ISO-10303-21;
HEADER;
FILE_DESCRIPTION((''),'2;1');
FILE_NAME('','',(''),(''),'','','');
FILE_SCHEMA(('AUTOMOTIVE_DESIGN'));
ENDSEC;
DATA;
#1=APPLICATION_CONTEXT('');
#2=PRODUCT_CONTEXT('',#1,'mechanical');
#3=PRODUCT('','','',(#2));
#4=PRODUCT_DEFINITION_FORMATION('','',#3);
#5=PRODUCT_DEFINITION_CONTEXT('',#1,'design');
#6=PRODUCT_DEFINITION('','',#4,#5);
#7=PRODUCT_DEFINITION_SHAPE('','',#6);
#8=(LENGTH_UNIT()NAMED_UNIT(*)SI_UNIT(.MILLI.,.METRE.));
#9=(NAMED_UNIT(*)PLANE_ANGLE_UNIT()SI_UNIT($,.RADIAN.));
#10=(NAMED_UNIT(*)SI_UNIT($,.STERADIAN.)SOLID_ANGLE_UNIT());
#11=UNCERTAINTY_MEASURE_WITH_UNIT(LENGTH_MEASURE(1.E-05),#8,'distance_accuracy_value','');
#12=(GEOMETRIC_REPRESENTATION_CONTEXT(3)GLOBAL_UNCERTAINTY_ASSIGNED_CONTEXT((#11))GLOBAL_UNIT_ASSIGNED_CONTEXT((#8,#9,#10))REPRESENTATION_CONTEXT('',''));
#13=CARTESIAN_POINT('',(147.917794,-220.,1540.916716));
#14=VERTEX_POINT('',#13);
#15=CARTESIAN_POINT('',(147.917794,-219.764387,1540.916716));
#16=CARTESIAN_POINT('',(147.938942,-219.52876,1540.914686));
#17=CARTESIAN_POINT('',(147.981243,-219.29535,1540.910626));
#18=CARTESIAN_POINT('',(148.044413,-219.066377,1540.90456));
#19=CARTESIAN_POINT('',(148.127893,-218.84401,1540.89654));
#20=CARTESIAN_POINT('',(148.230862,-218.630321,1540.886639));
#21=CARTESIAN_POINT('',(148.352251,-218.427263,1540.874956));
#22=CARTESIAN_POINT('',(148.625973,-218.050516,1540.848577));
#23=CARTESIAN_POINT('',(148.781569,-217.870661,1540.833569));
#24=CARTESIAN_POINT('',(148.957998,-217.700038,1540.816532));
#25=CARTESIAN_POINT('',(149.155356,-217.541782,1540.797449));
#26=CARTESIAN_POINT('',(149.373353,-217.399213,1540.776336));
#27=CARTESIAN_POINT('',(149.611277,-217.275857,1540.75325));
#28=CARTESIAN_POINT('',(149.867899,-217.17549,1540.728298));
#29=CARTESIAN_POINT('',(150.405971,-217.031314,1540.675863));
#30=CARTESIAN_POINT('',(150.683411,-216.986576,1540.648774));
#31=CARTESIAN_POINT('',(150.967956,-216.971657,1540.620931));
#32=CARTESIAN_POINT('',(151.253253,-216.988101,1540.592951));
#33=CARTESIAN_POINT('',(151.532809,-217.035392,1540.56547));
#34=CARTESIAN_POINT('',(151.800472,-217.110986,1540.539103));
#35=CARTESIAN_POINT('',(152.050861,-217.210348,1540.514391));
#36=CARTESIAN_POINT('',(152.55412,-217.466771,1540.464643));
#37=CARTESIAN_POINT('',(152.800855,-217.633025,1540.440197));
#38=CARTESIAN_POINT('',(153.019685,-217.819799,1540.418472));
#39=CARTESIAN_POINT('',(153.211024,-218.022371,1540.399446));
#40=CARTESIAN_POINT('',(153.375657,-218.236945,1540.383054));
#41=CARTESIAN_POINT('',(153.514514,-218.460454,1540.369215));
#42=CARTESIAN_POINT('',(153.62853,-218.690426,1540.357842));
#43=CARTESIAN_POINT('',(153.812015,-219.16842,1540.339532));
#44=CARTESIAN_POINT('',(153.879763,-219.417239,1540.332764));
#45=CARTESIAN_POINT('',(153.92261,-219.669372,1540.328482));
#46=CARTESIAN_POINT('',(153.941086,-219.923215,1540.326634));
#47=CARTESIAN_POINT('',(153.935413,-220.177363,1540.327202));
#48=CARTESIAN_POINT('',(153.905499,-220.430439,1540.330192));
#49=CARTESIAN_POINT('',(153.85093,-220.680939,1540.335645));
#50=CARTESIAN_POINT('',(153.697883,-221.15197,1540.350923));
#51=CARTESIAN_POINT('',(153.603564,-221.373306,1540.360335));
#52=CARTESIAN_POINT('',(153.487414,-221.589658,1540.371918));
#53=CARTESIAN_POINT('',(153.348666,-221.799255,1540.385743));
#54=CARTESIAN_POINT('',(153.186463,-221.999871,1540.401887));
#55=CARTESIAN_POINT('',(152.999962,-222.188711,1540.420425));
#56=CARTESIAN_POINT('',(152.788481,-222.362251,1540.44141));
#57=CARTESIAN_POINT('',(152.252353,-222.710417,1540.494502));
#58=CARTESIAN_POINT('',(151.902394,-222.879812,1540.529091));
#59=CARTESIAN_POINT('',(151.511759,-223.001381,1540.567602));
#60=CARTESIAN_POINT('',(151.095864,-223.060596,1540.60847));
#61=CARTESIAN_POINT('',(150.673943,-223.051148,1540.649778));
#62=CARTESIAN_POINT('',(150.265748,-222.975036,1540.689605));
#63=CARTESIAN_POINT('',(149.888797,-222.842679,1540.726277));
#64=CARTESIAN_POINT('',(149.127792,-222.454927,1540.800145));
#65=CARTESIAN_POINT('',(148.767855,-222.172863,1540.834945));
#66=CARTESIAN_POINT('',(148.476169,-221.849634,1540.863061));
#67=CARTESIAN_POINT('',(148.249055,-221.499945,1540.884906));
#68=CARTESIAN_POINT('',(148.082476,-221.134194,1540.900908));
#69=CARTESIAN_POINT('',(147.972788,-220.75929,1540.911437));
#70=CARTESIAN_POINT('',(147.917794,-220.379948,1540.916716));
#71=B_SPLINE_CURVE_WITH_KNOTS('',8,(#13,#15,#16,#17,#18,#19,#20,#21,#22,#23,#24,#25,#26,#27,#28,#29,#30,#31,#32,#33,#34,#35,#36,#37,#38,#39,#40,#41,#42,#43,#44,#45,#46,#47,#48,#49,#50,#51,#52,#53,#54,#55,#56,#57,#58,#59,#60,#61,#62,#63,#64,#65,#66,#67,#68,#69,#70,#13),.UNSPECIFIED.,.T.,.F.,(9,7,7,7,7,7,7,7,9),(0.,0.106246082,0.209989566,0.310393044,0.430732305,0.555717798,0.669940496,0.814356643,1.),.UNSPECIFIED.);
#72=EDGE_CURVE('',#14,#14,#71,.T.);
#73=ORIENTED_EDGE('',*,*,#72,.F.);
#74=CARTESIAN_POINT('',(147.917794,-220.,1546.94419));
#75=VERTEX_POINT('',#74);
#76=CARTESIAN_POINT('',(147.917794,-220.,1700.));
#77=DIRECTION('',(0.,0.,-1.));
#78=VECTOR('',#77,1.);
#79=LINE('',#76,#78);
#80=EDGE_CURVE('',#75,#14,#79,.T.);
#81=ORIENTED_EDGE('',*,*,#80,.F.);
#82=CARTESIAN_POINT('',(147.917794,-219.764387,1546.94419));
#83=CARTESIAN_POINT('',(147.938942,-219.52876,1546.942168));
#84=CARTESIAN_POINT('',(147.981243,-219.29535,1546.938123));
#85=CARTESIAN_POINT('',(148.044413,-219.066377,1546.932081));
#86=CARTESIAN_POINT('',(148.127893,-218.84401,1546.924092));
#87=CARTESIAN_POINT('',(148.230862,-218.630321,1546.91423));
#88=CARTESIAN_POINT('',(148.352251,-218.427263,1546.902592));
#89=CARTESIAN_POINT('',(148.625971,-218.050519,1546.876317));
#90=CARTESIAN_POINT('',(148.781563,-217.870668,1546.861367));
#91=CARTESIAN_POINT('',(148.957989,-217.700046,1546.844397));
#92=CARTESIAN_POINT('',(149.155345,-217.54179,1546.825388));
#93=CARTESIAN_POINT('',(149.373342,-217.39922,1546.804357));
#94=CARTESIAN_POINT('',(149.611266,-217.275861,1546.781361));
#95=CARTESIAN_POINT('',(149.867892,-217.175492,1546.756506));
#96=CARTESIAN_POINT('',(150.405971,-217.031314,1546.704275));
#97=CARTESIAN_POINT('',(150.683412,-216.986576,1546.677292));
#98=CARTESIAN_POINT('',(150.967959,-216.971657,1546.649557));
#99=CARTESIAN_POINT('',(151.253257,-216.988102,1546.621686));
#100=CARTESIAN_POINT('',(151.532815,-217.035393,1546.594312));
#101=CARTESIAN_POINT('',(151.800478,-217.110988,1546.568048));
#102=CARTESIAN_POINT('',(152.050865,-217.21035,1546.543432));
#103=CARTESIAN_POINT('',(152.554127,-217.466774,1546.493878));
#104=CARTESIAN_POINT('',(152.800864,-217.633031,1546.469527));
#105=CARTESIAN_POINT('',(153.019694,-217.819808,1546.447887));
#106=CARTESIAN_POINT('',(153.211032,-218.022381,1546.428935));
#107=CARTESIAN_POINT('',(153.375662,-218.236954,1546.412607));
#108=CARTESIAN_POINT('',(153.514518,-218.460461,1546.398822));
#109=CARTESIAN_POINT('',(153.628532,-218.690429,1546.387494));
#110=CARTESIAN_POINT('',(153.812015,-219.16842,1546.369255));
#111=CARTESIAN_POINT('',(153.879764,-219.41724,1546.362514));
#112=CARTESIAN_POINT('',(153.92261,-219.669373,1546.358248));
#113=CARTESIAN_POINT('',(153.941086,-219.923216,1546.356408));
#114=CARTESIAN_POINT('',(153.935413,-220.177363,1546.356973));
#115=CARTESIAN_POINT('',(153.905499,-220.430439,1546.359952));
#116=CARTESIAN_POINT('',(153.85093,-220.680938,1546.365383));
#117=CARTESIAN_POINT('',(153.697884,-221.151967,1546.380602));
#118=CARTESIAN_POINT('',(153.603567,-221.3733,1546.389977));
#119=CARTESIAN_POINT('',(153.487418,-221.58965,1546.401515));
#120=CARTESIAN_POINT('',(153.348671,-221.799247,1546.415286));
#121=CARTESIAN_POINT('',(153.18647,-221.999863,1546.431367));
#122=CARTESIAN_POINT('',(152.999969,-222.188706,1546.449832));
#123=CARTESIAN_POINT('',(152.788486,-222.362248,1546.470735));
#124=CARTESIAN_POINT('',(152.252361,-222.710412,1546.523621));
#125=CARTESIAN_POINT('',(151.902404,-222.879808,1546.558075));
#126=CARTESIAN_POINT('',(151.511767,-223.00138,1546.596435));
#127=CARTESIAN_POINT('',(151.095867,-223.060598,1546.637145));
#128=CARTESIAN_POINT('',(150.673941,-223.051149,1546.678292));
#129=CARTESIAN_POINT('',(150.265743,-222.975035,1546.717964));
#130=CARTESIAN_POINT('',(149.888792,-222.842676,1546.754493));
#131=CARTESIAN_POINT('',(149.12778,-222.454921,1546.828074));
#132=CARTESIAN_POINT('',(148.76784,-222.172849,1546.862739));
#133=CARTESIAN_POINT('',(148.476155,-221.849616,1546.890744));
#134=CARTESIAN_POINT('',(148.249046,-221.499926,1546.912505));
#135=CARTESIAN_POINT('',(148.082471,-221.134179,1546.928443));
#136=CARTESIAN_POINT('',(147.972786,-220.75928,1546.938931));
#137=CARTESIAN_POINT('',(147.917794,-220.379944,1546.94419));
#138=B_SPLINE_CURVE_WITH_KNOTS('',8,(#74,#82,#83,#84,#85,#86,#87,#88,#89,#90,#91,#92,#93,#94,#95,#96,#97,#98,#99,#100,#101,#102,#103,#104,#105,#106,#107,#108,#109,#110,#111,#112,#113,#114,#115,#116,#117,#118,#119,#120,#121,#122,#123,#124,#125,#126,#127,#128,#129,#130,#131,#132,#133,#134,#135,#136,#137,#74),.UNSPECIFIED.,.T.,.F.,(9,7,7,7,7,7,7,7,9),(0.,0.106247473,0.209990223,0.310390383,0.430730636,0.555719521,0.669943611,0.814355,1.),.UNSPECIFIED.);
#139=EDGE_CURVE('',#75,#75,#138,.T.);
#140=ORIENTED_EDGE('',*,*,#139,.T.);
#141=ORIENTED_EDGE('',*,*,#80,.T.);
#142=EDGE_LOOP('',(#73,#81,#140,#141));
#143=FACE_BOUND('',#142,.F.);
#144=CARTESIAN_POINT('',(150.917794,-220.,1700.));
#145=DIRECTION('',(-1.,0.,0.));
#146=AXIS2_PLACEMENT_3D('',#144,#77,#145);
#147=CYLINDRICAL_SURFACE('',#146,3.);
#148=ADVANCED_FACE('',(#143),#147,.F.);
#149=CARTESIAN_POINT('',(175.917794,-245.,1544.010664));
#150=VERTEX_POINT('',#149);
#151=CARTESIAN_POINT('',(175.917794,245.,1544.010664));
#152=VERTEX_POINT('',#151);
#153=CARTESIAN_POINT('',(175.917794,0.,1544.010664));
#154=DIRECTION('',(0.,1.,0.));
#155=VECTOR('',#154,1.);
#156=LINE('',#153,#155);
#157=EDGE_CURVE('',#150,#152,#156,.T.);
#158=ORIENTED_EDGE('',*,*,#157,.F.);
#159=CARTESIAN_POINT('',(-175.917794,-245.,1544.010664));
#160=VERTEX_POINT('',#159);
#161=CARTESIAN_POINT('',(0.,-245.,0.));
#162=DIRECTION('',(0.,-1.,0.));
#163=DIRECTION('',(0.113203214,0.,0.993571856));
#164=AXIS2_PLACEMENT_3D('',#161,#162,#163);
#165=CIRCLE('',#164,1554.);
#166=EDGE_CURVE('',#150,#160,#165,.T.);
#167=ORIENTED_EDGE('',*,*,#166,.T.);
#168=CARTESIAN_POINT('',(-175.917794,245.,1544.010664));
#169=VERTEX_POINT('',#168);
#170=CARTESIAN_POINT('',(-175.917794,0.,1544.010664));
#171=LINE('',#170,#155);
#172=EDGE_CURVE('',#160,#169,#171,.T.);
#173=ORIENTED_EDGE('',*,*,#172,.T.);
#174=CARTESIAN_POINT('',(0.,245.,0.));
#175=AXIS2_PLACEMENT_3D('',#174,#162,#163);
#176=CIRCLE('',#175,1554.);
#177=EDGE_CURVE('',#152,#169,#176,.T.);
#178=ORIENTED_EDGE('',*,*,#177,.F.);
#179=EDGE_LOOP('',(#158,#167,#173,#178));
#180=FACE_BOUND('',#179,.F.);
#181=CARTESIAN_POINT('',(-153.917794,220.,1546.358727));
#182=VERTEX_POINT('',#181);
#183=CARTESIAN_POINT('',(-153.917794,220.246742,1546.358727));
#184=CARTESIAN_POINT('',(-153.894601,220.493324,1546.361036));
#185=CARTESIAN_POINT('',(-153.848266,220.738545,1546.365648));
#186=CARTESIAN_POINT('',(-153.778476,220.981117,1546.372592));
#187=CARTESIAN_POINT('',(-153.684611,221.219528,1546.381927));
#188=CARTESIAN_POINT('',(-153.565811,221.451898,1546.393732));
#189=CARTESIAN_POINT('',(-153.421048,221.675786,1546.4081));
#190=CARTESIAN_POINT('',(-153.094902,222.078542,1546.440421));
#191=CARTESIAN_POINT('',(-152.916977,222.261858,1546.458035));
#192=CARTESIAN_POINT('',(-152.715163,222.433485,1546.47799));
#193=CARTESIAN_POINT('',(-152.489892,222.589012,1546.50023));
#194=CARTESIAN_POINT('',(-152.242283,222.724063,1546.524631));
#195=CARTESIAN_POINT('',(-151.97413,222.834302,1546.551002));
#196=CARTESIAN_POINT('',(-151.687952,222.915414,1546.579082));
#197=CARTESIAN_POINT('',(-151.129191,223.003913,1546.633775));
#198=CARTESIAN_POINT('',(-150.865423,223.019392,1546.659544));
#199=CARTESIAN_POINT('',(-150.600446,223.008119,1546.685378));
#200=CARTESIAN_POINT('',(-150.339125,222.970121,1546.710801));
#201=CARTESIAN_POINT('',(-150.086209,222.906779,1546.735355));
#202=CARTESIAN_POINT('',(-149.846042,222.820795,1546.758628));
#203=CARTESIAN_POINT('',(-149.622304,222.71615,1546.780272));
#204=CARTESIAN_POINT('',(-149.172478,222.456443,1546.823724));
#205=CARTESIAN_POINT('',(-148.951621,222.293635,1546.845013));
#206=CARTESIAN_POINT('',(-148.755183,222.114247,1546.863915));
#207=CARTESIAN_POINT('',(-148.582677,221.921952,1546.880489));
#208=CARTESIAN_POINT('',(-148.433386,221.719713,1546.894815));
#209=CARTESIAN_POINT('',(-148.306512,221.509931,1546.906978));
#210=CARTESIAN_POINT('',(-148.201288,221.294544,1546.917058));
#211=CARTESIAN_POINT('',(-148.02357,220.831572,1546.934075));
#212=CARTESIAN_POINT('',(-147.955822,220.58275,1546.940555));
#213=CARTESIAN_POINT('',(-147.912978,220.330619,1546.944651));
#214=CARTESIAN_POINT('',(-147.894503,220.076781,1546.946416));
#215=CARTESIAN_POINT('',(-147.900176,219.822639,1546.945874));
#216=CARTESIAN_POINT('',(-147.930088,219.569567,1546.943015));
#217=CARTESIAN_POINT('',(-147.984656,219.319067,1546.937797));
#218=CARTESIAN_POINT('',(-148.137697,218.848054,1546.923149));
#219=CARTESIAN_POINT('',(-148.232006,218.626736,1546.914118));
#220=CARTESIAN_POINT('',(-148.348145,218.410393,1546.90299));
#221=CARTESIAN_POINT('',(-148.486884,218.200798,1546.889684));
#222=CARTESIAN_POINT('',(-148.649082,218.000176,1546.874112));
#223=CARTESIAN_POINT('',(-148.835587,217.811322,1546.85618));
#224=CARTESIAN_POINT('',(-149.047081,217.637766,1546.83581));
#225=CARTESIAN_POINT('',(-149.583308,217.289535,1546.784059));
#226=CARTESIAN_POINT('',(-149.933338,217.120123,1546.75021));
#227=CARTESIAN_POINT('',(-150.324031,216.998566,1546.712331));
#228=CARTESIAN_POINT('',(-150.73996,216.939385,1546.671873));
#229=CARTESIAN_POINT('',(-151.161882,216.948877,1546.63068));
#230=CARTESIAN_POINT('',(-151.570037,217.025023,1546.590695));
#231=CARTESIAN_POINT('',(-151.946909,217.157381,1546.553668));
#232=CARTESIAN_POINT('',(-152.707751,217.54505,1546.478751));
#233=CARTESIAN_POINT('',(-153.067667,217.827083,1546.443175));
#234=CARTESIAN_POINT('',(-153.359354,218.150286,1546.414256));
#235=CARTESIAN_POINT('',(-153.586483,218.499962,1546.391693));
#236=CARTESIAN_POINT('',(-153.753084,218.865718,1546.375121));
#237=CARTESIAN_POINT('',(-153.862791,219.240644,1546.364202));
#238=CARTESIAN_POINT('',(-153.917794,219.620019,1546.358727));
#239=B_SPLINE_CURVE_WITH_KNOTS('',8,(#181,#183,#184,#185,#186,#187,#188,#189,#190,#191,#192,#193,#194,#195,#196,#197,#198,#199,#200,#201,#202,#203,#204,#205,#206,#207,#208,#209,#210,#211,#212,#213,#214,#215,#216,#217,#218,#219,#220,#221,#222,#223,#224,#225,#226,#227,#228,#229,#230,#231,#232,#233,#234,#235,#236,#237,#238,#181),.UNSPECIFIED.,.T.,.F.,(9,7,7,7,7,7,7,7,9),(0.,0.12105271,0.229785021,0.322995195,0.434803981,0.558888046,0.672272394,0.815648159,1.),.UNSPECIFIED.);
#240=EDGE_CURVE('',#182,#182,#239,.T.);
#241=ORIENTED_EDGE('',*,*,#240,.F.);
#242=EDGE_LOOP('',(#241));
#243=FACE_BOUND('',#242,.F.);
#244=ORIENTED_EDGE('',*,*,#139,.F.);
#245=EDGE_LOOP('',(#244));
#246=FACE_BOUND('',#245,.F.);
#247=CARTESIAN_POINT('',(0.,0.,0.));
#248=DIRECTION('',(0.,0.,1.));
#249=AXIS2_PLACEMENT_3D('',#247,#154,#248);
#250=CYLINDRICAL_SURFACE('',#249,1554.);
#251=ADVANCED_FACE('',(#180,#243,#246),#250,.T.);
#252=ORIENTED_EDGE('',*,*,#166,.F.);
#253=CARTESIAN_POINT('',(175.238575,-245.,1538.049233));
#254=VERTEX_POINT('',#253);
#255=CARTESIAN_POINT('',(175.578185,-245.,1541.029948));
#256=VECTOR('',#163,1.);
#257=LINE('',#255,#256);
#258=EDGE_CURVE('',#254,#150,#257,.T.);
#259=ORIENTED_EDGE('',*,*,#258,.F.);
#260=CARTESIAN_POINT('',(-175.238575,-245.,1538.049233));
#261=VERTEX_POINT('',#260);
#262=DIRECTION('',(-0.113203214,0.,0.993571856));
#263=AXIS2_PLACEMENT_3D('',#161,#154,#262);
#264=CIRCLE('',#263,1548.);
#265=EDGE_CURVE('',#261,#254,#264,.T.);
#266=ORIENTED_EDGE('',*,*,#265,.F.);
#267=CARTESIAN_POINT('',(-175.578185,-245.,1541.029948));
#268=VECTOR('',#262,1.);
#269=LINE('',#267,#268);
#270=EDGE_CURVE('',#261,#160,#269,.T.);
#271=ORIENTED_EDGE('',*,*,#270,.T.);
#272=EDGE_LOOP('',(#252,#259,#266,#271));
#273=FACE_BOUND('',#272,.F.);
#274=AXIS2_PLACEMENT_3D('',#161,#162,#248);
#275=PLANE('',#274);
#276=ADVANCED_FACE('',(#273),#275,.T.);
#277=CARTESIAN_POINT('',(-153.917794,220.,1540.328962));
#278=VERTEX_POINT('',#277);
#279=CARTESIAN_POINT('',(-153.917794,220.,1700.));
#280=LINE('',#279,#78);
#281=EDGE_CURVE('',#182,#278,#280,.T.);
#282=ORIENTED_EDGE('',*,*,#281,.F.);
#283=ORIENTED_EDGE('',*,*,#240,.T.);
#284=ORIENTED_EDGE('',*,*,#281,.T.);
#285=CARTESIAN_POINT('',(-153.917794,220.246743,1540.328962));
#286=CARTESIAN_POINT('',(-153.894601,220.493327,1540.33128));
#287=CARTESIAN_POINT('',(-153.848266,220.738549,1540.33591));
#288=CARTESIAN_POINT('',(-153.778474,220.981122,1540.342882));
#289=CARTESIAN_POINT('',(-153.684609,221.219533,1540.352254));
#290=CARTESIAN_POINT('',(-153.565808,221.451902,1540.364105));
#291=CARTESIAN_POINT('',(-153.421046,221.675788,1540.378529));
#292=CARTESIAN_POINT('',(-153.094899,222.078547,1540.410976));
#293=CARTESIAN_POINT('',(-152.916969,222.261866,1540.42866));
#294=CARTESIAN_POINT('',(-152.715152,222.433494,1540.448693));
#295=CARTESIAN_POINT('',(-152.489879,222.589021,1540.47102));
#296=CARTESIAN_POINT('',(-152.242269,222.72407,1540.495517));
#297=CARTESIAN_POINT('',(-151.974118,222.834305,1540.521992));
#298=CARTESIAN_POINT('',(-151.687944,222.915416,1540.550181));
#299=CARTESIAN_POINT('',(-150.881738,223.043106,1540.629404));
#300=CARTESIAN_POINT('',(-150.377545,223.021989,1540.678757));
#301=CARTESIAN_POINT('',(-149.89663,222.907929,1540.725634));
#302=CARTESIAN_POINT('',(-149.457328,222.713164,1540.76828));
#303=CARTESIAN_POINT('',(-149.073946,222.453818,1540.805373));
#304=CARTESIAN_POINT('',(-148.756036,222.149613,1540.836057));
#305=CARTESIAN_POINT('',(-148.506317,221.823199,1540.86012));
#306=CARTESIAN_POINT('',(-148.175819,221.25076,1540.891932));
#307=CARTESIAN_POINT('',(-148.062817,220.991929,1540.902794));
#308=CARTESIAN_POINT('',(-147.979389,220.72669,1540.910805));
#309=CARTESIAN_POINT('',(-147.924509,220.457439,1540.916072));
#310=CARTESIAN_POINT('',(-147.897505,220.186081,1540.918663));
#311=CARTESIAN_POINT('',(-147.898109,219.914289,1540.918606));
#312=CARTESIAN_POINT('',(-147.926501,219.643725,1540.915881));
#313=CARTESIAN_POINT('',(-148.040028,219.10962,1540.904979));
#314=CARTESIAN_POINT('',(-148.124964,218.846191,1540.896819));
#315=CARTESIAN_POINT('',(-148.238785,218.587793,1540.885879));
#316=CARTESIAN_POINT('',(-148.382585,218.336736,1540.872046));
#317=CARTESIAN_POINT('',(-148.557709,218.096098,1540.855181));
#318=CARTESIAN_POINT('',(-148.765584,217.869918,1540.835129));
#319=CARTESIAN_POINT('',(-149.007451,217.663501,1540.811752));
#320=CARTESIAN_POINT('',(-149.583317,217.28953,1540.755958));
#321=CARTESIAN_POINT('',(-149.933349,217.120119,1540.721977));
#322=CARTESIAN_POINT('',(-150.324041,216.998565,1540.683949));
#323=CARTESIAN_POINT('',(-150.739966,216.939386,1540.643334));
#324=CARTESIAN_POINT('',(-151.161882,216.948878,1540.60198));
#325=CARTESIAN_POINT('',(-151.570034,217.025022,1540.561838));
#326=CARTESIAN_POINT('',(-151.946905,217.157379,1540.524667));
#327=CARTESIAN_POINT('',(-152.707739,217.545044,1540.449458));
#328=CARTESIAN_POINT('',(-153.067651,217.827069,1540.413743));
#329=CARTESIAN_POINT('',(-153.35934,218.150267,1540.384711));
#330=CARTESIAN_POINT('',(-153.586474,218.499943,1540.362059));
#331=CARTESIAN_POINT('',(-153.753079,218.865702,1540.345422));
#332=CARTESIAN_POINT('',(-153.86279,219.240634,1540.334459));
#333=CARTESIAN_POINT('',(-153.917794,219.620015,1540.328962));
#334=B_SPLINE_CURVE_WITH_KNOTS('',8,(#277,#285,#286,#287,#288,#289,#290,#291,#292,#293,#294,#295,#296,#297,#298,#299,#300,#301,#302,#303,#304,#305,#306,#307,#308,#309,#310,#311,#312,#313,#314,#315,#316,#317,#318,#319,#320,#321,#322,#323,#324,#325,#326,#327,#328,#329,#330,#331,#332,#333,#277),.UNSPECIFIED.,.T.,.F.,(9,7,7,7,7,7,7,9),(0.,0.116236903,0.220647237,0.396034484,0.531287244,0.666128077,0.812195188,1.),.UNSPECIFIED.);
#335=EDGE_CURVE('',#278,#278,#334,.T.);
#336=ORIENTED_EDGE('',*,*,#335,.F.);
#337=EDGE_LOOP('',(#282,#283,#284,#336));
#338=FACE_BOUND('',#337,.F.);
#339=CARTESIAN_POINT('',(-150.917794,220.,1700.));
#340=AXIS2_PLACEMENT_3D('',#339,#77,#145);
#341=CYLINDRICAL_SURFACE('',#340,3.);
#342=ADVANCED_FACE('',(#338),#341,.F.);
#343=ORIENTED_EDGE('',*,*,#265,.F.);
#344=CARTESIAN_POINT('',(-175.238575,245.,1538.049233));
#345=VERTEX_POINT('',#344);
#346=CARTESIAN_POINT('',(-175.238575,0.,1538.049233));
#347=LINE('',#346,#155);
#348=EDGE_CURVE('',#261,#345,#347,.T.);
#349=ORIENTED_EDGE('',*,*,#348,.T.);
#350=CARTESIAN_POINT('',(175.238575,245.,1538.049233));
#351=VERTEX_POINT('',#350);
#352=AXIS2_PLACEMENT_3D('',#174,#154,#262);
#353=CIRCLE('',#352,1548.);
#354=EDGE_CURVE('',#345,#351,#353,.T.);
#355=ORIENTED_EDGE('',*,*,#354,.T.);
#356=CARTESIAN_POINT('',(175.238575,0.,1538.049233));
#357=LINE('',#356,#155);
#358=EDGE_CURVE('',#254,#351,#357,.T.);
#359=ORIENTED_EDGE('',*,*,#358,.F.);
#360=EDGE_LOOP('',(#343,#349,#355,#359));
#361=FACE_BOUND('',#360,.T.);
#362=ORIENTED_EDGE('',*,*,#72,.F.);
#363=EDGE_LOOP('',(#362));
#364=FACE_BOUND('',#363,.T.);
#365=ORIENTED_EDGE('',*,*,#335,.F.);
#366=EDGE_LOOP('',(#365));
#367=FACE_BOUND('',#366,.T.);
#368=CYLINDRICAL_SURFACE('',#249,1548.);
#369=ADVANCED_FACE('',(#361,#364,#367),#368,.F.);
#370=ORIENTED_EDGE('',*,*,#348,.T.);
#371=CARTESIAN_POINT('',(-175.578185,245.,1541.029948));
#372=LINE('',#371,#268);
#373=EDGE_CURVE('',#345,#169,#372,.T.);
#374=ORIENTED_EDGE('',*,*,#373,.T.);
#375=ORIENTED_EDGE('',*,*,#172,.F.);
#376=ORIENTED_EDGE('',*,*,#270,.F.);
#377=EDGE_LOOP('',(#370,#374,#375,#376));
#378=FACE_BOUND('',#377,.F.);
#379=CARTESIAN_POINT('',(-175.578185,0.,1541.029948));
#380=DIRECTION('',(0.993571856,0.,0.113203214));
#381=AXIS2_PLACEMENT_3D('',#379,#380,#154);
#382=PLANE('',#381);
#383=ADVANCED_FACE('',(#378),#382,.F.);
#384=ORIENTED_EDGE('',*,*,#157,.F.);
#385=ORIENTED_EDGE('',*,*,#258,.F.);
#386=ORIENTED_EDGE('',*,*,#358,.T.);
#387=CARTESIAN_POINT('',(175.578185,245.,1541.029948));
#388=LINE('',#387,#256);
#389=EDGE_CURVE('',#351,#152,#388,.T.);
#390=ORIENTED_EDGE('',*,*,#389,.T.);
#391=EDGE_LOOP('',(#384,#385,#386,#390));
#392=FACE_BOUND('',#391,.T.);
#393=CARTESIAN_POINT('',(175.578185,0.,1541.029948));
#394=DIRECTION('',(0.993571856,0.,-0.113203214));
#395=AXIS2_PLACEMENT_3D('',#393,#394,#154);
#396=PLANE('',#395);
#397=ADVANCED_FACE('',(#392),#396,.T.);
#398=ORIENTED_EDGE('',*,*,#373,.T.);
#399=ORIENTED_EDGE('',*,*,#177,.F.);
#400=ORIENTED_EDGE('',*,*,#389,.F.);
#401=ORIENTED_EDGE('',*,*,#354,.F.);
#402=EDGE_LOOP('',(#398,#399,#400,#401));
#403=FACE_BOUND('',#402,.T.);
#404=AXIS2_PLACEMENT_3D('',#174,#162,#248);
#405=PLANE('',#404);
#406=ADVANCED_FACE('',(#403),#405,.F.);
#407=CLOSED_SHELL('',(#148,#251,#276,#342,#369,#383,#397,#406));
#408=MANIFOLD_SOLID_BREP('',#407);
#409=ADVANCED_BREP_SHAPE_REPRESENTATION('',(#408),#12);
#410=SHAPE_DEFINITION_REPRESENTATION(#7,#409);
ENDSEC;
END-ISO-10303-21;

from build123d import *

# Parameters (mm, degrees)
F0_W     = 490
F0_H     = 6
F1_ANGLE = 13
F4_D     = 6
F4_DEPTH = 100


with BuildPart() as f1:
    # F0 (on Right) → F1 (revolve, symmetric)
    with BuildSketch(Plane.YZ) as f1_sk:
        with Locations((0, 1551)):
            Rectangle(F0_W, F0_H)
    revolve(axis=Axis((0, -0.207613, 0), (0, 1, 0)), revolution_arc=F1_ANGLE / 2)
    revolve(f1_sk.sketch, axis=Axis((0, -0.207613, 0), (0, -1, 0)), revolution_arc=F1_ANGLE / 2)

    # F4
    with Locations(Plane.XY.offset(1600)):
        with Locations((-150.917794, 220), (150.917794, -220)):
            Hole(F4_D / 2, depth=F4_DEPTH)


solid = f1.part
